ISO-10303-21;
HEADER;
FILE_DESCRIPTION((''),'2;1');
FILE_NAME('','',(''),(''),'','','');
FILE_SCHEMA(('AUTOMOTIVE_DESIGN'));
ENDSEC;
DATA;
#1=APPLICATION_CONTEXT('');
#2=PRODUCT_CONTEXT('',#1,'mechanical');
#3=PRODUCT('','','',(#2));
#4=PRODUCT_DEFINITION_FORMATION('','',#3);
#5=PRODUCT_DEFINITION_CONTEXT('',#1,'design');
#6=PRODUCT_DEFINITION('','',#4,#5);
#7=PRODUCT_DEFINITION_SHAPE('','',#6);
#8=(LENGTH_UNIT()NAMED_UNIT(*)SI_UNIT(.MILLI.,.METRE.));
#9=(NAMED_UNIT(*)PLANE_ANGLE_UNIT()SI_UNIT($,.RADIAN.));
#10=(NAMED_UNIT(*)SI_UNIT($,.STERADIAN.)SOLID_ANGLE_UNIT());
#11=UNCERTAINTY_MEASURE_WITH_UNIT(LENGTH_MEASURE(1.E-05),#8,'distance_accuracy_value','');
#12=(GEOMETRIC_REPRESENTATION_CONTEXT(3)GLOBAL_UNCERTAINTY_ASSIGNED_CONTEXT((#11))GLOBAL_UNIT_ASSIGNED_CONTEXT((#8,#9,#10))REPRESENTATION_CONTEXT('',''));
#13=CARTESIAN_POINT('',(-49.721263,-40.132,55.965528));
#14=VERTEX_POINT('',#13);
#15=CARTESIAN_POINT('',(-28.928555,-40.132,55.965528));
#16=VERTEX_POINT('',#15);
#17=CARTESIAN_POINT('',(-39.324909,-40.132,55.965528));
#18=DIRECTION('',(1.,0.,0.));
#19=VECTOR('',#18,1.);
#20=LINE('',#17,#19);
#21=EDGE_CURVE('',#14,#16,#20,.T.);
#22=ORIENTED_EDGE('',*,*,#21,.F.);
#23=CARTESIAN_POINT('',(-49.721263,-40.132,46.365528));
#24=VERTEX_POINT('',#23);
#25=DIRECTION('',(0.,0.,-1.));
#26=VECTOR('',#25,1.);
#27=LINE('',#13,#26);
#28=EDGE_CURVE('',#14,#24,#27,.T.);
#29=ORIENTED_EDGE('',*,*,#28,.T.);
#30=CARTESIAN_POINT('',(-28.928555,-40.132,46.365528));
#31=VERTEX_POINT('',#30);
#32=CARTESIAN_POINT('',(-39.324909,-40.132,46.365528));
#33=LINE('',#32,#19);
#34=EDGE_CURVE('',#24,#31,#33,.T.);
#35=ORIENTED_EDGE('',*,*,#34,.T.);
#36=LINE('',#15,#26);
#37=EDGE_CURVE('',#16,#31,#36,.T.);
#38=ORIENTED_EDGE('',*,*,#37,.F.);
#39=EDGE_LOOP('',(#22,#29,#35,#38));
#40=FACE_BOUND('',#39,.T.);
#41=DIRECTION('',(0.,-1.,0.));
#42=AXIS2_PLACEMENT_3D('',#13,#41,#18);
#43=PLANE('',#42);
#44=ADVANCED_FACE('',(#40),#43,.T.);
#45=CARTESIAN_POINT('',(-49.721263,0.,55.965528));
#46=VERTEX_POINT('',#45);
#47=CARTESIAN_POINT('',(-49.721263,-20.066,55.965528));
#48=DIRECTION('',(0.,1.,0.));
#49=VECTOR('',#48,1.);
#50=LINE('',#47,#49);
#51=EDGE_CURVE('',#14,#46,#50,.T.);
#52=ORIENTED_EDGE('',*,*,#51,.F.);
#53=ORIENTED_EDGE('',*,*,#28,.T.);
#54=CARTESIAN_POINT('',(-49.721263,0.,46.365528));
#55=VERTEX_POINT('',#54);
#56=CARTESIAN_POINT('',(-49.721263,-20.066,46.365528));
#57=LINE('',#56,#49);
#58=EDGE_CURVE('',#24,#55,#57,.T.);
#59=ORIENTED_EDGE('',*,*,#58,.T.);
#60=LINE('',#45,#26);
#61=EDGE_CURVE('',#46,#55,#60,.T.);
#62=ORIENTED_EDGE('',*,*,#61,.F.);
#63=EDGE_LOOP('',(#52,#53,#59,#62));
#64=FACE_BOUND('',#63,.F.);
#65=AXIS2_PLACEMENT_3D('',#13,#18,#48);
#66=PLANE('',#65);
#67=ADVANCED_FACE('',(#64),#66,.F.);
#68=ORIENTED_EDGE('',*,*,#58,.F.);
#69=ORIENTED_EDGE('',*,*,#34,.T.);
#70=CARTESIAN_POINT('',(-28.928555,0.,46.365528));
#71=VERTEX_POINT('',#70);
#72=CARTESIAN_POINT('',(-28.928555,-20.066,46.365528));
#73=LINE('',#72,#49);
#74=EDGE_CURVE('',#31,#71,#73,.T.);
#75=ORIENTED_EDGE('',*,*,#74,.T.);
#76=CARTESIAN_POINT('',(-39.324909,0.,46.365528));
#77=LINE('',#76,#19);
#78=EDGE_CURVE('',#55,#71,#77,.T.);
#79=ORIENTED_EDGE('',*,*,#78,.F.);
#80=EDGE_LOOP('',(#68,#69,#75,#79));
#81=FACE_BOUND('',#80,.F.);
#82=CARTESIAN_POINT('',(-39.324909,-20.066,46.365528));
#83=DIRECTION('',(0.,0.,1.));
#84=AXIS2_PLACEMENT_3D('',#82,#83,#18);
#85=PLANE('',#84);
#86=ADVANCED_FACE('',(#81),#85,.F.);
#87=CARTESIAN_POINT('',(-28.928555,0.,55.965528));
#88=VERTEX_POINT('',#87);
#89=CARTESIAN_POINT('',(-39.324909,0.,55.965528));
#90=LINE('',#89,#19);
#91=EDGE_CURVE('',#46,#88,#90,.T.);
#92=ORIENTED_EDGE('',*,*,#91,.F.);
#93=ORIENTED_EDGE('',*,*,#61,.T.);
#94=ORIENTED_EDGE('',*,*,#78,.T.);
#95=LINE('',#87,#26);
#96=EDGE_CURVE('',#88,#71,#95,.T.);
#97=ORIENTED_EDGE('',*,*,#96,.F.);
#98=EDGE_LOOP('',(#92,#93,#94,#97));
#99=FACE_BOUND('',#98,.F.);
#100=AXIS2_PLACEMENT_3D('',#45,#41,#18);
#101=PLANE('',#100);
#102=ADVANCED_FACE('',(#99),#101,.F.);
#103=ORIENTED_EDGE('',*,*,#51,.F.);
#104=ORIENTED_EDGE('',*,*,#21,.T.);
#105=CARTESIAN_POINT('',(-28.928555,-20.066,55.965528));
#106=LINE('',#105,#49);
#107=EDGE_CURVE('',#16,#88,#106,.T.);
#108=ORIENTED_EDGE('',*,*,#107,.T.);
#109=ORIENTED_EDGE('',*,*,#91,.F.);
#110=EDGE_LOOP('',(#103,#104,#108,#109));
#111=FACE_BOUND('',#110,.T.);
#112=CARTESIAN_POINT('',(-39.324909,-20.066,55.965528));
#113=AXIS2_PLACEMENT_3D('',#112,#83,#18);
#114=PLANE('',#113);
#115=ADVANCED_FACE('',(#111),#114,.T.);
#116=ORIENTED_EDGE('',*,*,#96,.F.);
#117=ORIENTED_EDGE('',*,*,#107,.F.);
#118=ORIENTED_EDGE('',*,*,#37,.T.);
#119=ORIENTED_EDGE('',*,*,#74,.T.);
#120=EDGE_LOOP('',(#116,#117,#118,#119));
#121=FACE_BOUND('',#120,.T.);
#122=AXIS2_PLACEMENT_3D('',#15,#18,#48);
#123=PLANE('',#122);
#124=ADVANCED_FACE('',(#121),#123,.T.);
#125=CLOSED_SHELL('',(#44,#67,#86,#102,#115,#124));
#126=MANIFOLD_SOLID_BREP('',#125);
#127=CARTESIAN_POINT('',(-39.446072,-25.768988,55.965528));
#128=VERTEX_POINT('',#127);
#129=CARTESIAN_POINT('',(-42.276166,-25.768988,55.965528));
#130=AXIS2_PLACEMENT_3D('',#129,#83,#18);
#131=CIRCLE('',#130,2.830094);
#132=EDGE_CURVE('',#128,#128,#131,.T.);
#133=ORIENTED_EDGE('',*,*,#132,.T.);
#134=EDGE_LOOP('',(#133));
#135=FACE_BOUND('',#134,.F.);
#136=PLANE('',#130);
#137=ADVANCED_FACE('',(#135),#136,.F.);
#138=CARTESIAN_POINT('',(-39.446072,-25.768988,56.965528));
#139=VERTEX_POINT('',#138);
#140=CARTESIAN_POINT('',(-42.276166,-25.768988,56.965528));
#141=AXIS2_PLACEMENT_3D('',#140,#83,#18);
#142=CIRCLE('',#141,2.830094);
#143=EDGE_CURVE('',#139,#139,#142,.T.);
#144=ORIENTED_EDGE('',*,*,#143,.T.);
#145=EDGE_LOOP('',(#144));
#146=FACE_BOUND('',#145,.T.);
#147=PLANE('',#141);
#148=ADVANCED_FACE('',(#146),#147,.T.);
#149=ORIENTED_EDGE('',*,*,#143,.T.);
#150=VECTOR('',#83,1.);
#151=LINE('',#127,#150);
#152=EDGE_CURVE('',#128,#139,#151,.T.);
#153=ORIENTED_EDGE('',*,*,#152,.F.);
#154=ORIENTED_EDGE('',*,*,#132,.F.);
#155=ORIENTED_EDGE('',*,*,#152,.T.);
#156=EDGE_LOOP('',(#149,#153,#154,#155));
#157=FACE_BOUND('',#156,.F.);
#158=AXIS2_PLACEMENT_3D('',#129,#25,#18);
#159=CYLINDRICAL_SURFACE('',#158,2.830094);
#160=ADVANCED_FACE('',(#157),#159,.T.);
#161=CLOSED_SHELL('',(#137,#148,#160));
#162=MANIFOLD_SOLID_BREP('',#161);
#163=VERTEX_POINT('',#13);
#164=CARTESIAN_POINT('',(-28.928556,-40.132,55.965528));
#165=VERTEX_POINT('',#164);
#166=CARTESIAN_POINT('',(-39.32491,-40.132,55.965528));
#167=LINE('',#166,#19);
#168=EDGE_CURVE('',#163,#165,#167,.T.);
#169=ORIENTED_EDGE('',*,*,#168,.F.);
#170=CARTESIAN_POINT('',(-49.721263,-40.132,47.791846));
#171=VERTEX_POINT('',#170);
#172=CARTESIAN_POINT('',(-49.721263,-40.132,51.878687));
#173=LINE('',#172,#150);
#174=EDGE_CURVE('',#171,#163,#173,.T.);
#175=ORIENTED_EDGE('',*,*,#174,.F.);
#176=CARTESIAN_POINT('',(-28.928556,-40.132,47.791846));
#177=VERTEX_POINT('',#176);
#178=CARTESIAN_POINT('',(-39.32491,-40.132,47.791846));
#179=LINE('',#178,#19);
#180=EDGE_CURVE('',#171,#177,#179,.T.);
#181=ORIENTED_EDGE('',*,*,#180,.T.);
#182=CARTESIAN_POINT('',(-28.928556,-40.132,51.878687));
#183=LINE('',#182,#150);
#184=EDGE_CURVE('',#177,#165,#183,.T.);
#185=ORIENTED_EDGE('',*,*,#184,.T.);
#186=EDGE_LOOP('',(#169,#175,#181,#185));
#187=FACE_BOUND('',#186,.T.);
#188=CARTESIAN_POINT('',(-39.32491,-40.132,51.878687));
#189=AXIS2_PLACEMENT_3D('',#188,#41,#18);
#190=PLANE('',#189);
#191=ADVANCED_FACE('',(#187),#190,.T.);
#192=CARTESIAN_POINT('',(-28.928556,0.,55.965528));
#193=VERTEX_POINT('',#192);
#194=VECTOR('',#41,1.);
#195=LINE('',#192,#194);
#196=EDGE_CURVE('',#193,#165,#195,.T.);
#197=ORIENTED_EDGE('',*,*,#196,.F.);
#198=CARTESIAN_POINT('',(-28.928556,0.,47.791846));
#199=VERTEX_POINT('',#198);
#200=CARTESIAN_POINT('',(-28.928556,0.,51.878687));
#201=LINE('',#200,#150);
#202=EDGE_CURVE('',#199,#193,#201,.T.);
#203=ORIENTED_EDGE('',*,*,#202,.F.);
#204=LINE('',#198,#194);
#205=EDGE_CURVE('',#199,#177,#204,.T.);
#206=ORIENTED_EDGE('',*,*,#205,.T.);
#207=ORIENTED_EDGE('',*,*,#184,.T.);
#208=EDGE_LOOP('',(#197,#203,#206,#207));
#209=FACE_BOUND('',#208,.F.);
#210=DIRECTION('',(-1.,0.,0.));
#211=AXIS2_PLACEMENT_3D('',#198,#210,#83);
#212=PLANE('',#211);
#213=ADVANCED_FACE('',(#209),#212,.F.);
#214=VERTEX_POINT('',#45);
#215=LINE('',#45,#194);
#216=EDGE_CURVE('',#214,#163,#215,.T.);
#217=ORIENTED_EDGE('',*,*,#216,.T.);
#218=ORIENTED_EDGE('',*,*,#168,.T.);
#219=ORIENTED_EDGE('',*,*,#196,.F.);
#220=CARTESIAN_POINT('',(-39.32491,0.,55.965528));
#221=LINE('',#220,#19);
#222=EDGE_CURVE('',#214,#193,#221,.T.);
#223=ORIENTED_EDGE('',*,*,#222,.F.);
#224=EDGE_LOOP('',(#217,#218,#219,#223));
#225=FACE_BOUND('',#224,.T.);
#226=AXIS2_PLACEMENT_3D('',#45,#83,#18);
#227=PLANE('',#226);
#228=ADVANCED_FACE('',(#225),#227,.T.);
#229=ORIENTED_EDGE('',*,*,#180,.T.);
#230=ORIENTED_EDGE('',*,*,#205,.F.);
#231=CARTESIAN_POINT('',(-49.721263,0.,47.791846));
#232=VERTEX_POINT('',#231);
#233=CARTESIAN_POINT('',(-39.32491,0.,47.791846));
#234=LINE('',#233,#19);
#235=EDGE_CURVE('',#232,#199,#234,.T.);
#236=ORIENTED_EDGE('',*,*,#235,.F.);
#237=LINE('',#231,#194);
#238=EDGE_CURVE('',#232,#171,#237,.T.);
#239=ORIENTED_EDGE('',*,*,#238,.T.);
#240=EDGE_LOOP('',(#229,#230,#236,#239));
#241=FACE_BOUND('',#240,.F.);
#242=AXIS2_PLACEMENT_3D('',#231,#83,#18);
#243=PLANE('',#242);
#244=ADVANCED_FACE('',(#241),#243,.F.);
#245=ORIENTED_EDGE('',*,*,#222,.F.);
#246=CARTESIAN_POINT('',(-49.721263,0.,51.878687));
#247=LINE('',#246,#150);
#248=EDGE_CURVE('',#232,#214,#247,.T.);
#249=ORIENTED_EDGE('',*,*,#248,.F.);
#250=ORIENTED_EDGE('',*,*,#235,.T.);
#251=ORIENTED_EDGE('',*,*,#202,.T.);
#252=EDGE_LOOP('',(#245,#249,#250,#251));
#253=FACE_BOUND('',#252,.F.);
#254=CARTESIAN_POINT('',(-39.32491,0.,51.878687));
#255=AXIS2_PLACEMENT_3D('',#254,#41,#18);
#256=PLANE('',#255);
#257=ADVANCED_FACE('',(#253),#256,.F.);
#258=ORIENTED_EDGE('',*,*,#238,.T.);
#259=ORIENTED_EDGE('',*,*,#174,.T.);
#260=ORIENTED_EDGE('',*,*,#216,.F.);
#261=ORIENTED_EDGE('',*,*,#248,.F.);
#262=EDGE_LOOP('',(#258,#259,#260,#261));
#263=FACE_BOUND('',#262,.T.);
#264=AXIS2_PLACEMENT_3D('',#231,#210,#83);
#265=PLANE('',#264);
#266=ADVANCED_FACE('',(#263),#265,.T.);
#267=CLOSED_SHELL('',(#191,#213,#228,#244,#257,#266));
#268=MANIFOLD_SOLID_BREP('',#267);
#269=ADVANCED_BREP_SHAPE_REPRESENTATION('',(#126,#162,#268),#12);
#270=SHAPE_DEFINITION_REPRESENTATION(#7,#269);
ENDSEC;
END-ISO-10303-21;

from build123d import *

# Parameters (mm, degrees)
F0_W      = 20.792707
F0_H      = 8.173682
F1_DEPTH  = 40.132
F1_FACE_W = 20.792708
F1_FACE_H = 40.132
F2_DEPTH  = 9.6
F3_R      = 2.830094
F4_DEPTH  = 1


with BuildPart() as f1:
    # F0 (on Front) → F1 (new body)
    with BuildSketch(Plane.XZ):
        with Locations((-39.32491, 51.878687)):
            Rectangle(F0_W, F0_H)
    extrude(amount=F1_DEPTH)


with BuildPart() as f2:
    # F1_face (on face) → F2 (new body)
    with BuildSketch(Plane(origin=(-39.324909, -20.066, 55.965528), x_dir=(1, 0, 0), z_dir=(0, 0, 1))):
        Rectangle(F1_FACE_W, F1_FACE_H)
    extrude(amount=-F2_DEPTH)


with BuildPart() as f4:
    # F3 (on face) → F4 (new body)
    with BuildSketch(Plane.XY.offset(55.965528)):
        with Locations((-42.276166, -25.768988)):
            Circle(F3_R)
    extrude(amount=F4_DEPTH)


solid = Compound([f1.part, f2.part, f4.part])
